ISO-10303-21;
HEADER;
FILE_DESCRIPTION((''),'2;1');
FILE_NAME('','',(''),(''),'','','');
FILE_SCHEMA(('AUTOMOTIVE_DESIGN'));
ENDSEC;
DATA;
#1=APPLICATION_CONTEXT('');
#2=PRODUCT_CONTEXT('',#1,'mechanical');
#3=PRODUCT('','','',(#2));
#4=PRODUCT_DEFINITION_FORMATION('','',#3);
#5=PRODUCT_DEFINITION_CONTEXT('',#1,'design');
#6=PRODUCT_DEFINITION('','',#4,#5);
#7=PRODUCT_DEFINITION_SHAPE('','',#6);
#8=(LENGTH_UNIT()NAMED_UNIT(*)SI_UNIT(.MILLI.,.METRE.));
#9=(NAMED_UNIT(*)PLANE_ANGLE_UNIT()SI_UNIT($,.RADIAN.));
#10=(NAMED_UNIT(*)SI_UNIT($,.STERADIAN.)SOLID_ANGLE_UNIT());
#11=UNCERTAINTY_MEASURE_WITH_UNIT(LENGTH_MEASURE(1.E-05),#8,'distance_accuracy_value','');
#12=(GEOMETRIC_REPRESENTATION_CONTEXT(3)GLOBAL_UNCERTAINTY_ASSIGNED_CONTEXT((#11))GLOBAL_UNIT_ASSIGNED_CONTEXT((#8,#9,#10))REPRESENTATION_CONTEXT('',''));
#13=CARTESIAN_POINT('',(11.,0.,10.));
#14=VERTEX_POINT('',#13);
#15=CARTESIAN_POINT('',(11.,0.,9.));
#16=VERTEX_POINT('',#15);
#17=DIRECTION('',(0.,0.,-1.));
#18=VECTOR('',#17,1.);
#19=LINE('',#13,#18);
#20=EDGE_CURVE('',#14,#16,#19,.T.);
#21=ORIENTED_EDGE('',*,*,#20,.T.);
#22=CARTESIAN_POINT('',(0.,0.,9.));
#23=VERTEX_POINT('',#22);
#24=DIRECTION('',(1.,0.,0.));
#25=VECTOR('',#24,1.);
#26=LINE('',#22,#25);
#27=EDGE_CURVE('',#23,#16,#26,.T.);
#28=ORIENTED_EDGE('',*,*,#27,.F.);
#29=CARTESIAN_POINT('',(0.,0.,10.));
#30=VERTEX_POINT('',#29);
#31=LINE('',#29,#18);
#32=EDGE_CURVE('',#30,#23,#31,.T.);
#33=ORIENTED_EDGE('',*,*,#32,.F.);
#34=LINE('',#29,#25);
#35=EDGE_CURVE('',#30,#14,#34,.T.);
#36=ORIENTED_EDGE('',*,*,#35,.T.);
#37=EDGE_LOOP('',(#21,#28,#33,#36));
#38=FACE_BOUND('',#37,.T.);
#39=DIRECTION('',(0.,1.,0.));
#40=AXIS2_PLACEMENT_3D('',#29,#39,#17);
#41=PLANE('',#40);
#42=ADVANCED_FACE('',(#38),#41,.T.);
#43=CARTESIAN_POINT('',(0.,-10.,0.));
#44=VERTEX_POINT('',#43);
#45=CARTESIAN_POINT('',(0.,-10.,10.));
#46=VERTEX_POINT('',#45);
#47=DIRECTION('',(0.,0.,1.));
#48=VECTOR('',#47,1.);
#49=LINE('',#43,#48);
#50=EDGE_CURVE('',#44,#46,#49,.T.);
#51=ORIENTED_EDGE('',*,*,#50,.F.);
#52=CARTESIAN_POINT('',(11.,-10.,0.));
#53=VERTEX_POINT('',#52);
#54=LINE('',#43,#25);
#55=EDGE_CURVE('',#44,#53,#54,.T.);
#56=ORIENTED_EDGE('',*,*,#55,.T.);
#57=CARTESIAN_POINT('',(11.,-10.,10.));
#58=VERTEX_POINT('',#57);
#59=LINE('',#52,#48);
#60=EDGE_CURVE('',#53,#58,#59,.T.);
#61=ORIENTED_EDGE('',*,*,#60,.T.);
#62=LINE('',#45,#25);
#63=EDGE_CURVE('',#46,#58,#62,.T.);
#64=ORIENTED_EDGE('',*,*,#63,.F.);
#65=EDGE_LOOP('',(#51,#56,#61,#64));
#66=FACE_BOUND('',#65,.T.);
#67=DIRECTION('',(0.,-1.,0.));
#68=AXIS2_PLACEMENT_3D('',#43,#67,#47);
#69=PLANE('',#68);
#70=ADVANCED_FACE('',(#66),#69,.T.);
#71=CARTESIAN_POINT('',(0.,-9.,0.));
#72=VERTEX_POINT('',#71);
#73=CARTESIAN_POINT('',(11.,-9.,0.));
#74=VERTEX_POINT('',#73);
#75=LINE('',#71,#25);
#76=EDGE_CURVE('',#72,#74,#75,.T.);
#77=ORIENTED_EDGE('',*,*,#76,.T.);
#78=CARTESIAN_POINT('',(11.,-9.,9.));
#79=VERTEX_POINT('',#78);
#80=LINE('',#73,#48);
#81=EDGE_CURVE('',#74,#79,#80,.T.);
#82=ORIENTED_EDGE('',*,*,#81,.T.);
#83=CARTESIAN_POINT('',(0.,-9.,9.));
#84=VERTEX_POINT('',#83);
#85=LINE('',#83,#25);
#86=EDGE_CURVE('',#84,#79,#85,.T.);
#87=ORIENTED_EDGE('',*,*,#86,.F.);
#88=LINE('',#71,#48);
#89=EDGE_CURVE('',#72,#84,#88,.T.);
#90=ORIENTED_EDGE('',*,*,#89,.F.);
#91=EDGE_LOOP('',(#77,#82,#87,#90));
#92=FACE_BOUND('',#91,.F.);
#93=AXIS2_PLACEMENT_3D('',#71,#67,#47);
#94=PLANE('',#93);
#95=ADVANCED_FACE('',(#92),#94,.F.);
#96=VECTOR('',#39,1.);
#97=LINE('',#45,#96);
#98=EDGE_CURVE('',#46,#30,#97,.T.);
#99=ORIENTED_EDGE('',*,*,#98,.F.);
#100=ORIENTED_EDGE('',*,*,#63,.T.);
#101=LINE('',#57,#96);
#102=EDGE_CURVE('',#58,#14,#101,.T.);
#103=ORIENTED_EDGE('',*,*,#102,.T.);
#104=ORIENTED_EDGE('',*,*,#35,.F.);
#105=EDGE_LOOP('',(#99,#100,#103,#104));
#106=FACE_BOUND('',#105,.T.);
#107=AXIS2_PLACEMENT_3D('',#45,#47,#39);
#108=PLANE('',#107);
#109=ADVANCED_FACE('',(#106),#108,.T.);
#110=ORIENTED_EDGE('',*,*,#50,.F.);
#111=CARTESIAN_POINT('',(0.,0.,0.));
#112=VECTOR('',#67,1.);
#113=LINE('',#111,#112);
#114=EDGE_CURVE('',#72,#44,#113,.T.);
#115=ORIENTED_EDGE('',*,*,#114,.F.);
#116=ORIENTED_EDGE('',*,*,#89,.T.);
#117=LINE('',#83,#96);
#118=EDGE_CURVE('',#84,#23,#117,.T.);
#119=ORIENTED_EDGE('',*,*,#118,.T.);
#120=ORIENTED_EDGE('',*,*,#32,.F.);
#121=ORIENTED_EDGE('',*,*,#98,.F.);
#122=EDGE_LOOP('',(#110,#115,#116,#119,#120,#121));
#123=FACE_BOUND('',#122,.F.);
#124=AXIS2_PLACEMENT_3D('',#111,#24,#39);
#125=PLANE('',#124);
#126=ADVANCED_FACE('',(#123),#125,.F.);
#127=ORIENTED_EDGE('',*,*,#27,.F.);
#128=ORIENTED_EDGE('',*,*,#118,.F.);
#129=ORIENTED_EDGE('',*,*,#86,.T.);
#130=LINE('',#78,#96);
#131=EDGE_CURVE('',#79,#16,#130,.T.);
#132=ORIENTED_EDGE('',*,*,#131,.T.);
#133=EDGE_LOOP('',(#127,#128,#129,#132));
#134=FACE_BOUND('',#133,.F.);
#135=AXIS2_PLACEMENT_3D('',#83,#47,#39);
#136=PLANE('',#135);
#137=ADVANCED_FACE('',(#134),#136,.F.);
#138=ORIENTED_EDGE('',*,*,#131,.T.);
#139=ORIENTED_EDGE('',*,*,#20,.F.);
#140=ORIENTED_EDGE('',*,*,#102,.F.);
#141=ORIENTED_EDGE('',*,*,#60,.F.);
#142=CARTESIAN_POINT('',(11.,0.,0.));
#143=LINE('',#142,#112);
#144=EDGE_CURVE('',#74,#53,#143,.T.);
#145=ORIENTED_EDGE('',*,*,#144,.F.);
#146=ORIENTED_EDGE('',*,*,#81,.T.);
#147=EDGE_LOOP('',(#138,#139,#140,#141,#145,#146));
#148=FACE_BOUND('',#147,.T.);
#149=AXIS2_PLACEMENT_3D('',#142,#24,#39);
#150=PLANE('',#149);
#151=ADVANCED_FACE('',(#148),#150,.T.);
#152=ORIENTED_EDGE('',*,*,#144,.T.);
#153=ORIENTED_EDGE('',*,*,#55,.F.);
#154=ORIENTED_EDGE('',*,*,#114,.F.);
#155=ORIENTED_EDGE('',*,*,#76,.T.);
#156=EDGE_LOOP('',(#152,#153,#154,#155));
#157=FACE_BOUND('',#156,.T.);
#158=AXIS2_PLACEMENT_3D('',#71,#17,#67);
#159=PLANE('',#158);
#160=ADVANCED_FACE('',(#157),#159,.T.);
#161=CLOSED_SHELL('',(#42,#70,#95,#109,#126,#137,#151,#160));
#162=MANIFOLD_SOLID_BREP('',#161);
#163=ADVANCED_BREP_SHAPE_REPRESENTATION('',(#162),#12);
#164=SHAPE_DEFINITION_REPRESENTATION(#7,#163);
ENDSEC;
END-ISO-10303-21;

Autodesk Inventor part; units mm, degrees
ref_plane "YZ Plane" through (0, 0, 0) normal (1, 0, 0) x (0, 1, 0)
ref_plane "XZ Plane" through (0, 0, 0) normal (0, 1, 0) x (-1, 0, 0)
ref_plane "XY Plane" through (0, 0, 0) normal (0, 0, 1) x (1, 0, 0)
sketch "Sketch1" plane through (0, 0, 0) normal (1, 0, 0) x (0, 1, 0)
  line L0 (0, 0) -> (-10, 0)
  line L1 (-10, 0) -> (-10, 10)
  line L2 (-10, 10) -> (0, 10)
  line L3 (0, 10) -> (0, 0)
  line L4 (-9, 9) -> (0, 9)
  line L5 (0, 9) -> (0, 0)
  line L6 (0, 0) -> (-9, 0)
  line L7 (-9, 0) -> (-9, 9)
  dimension "d0" = 10
  dimension "d1" = 1
extrude "Extrusion1" add sketch "Sketch1" along normal blind 11 contours L0 L1 L2 L3 L4 L7
properties part number "CouplerL" material "Stainless Steel"
